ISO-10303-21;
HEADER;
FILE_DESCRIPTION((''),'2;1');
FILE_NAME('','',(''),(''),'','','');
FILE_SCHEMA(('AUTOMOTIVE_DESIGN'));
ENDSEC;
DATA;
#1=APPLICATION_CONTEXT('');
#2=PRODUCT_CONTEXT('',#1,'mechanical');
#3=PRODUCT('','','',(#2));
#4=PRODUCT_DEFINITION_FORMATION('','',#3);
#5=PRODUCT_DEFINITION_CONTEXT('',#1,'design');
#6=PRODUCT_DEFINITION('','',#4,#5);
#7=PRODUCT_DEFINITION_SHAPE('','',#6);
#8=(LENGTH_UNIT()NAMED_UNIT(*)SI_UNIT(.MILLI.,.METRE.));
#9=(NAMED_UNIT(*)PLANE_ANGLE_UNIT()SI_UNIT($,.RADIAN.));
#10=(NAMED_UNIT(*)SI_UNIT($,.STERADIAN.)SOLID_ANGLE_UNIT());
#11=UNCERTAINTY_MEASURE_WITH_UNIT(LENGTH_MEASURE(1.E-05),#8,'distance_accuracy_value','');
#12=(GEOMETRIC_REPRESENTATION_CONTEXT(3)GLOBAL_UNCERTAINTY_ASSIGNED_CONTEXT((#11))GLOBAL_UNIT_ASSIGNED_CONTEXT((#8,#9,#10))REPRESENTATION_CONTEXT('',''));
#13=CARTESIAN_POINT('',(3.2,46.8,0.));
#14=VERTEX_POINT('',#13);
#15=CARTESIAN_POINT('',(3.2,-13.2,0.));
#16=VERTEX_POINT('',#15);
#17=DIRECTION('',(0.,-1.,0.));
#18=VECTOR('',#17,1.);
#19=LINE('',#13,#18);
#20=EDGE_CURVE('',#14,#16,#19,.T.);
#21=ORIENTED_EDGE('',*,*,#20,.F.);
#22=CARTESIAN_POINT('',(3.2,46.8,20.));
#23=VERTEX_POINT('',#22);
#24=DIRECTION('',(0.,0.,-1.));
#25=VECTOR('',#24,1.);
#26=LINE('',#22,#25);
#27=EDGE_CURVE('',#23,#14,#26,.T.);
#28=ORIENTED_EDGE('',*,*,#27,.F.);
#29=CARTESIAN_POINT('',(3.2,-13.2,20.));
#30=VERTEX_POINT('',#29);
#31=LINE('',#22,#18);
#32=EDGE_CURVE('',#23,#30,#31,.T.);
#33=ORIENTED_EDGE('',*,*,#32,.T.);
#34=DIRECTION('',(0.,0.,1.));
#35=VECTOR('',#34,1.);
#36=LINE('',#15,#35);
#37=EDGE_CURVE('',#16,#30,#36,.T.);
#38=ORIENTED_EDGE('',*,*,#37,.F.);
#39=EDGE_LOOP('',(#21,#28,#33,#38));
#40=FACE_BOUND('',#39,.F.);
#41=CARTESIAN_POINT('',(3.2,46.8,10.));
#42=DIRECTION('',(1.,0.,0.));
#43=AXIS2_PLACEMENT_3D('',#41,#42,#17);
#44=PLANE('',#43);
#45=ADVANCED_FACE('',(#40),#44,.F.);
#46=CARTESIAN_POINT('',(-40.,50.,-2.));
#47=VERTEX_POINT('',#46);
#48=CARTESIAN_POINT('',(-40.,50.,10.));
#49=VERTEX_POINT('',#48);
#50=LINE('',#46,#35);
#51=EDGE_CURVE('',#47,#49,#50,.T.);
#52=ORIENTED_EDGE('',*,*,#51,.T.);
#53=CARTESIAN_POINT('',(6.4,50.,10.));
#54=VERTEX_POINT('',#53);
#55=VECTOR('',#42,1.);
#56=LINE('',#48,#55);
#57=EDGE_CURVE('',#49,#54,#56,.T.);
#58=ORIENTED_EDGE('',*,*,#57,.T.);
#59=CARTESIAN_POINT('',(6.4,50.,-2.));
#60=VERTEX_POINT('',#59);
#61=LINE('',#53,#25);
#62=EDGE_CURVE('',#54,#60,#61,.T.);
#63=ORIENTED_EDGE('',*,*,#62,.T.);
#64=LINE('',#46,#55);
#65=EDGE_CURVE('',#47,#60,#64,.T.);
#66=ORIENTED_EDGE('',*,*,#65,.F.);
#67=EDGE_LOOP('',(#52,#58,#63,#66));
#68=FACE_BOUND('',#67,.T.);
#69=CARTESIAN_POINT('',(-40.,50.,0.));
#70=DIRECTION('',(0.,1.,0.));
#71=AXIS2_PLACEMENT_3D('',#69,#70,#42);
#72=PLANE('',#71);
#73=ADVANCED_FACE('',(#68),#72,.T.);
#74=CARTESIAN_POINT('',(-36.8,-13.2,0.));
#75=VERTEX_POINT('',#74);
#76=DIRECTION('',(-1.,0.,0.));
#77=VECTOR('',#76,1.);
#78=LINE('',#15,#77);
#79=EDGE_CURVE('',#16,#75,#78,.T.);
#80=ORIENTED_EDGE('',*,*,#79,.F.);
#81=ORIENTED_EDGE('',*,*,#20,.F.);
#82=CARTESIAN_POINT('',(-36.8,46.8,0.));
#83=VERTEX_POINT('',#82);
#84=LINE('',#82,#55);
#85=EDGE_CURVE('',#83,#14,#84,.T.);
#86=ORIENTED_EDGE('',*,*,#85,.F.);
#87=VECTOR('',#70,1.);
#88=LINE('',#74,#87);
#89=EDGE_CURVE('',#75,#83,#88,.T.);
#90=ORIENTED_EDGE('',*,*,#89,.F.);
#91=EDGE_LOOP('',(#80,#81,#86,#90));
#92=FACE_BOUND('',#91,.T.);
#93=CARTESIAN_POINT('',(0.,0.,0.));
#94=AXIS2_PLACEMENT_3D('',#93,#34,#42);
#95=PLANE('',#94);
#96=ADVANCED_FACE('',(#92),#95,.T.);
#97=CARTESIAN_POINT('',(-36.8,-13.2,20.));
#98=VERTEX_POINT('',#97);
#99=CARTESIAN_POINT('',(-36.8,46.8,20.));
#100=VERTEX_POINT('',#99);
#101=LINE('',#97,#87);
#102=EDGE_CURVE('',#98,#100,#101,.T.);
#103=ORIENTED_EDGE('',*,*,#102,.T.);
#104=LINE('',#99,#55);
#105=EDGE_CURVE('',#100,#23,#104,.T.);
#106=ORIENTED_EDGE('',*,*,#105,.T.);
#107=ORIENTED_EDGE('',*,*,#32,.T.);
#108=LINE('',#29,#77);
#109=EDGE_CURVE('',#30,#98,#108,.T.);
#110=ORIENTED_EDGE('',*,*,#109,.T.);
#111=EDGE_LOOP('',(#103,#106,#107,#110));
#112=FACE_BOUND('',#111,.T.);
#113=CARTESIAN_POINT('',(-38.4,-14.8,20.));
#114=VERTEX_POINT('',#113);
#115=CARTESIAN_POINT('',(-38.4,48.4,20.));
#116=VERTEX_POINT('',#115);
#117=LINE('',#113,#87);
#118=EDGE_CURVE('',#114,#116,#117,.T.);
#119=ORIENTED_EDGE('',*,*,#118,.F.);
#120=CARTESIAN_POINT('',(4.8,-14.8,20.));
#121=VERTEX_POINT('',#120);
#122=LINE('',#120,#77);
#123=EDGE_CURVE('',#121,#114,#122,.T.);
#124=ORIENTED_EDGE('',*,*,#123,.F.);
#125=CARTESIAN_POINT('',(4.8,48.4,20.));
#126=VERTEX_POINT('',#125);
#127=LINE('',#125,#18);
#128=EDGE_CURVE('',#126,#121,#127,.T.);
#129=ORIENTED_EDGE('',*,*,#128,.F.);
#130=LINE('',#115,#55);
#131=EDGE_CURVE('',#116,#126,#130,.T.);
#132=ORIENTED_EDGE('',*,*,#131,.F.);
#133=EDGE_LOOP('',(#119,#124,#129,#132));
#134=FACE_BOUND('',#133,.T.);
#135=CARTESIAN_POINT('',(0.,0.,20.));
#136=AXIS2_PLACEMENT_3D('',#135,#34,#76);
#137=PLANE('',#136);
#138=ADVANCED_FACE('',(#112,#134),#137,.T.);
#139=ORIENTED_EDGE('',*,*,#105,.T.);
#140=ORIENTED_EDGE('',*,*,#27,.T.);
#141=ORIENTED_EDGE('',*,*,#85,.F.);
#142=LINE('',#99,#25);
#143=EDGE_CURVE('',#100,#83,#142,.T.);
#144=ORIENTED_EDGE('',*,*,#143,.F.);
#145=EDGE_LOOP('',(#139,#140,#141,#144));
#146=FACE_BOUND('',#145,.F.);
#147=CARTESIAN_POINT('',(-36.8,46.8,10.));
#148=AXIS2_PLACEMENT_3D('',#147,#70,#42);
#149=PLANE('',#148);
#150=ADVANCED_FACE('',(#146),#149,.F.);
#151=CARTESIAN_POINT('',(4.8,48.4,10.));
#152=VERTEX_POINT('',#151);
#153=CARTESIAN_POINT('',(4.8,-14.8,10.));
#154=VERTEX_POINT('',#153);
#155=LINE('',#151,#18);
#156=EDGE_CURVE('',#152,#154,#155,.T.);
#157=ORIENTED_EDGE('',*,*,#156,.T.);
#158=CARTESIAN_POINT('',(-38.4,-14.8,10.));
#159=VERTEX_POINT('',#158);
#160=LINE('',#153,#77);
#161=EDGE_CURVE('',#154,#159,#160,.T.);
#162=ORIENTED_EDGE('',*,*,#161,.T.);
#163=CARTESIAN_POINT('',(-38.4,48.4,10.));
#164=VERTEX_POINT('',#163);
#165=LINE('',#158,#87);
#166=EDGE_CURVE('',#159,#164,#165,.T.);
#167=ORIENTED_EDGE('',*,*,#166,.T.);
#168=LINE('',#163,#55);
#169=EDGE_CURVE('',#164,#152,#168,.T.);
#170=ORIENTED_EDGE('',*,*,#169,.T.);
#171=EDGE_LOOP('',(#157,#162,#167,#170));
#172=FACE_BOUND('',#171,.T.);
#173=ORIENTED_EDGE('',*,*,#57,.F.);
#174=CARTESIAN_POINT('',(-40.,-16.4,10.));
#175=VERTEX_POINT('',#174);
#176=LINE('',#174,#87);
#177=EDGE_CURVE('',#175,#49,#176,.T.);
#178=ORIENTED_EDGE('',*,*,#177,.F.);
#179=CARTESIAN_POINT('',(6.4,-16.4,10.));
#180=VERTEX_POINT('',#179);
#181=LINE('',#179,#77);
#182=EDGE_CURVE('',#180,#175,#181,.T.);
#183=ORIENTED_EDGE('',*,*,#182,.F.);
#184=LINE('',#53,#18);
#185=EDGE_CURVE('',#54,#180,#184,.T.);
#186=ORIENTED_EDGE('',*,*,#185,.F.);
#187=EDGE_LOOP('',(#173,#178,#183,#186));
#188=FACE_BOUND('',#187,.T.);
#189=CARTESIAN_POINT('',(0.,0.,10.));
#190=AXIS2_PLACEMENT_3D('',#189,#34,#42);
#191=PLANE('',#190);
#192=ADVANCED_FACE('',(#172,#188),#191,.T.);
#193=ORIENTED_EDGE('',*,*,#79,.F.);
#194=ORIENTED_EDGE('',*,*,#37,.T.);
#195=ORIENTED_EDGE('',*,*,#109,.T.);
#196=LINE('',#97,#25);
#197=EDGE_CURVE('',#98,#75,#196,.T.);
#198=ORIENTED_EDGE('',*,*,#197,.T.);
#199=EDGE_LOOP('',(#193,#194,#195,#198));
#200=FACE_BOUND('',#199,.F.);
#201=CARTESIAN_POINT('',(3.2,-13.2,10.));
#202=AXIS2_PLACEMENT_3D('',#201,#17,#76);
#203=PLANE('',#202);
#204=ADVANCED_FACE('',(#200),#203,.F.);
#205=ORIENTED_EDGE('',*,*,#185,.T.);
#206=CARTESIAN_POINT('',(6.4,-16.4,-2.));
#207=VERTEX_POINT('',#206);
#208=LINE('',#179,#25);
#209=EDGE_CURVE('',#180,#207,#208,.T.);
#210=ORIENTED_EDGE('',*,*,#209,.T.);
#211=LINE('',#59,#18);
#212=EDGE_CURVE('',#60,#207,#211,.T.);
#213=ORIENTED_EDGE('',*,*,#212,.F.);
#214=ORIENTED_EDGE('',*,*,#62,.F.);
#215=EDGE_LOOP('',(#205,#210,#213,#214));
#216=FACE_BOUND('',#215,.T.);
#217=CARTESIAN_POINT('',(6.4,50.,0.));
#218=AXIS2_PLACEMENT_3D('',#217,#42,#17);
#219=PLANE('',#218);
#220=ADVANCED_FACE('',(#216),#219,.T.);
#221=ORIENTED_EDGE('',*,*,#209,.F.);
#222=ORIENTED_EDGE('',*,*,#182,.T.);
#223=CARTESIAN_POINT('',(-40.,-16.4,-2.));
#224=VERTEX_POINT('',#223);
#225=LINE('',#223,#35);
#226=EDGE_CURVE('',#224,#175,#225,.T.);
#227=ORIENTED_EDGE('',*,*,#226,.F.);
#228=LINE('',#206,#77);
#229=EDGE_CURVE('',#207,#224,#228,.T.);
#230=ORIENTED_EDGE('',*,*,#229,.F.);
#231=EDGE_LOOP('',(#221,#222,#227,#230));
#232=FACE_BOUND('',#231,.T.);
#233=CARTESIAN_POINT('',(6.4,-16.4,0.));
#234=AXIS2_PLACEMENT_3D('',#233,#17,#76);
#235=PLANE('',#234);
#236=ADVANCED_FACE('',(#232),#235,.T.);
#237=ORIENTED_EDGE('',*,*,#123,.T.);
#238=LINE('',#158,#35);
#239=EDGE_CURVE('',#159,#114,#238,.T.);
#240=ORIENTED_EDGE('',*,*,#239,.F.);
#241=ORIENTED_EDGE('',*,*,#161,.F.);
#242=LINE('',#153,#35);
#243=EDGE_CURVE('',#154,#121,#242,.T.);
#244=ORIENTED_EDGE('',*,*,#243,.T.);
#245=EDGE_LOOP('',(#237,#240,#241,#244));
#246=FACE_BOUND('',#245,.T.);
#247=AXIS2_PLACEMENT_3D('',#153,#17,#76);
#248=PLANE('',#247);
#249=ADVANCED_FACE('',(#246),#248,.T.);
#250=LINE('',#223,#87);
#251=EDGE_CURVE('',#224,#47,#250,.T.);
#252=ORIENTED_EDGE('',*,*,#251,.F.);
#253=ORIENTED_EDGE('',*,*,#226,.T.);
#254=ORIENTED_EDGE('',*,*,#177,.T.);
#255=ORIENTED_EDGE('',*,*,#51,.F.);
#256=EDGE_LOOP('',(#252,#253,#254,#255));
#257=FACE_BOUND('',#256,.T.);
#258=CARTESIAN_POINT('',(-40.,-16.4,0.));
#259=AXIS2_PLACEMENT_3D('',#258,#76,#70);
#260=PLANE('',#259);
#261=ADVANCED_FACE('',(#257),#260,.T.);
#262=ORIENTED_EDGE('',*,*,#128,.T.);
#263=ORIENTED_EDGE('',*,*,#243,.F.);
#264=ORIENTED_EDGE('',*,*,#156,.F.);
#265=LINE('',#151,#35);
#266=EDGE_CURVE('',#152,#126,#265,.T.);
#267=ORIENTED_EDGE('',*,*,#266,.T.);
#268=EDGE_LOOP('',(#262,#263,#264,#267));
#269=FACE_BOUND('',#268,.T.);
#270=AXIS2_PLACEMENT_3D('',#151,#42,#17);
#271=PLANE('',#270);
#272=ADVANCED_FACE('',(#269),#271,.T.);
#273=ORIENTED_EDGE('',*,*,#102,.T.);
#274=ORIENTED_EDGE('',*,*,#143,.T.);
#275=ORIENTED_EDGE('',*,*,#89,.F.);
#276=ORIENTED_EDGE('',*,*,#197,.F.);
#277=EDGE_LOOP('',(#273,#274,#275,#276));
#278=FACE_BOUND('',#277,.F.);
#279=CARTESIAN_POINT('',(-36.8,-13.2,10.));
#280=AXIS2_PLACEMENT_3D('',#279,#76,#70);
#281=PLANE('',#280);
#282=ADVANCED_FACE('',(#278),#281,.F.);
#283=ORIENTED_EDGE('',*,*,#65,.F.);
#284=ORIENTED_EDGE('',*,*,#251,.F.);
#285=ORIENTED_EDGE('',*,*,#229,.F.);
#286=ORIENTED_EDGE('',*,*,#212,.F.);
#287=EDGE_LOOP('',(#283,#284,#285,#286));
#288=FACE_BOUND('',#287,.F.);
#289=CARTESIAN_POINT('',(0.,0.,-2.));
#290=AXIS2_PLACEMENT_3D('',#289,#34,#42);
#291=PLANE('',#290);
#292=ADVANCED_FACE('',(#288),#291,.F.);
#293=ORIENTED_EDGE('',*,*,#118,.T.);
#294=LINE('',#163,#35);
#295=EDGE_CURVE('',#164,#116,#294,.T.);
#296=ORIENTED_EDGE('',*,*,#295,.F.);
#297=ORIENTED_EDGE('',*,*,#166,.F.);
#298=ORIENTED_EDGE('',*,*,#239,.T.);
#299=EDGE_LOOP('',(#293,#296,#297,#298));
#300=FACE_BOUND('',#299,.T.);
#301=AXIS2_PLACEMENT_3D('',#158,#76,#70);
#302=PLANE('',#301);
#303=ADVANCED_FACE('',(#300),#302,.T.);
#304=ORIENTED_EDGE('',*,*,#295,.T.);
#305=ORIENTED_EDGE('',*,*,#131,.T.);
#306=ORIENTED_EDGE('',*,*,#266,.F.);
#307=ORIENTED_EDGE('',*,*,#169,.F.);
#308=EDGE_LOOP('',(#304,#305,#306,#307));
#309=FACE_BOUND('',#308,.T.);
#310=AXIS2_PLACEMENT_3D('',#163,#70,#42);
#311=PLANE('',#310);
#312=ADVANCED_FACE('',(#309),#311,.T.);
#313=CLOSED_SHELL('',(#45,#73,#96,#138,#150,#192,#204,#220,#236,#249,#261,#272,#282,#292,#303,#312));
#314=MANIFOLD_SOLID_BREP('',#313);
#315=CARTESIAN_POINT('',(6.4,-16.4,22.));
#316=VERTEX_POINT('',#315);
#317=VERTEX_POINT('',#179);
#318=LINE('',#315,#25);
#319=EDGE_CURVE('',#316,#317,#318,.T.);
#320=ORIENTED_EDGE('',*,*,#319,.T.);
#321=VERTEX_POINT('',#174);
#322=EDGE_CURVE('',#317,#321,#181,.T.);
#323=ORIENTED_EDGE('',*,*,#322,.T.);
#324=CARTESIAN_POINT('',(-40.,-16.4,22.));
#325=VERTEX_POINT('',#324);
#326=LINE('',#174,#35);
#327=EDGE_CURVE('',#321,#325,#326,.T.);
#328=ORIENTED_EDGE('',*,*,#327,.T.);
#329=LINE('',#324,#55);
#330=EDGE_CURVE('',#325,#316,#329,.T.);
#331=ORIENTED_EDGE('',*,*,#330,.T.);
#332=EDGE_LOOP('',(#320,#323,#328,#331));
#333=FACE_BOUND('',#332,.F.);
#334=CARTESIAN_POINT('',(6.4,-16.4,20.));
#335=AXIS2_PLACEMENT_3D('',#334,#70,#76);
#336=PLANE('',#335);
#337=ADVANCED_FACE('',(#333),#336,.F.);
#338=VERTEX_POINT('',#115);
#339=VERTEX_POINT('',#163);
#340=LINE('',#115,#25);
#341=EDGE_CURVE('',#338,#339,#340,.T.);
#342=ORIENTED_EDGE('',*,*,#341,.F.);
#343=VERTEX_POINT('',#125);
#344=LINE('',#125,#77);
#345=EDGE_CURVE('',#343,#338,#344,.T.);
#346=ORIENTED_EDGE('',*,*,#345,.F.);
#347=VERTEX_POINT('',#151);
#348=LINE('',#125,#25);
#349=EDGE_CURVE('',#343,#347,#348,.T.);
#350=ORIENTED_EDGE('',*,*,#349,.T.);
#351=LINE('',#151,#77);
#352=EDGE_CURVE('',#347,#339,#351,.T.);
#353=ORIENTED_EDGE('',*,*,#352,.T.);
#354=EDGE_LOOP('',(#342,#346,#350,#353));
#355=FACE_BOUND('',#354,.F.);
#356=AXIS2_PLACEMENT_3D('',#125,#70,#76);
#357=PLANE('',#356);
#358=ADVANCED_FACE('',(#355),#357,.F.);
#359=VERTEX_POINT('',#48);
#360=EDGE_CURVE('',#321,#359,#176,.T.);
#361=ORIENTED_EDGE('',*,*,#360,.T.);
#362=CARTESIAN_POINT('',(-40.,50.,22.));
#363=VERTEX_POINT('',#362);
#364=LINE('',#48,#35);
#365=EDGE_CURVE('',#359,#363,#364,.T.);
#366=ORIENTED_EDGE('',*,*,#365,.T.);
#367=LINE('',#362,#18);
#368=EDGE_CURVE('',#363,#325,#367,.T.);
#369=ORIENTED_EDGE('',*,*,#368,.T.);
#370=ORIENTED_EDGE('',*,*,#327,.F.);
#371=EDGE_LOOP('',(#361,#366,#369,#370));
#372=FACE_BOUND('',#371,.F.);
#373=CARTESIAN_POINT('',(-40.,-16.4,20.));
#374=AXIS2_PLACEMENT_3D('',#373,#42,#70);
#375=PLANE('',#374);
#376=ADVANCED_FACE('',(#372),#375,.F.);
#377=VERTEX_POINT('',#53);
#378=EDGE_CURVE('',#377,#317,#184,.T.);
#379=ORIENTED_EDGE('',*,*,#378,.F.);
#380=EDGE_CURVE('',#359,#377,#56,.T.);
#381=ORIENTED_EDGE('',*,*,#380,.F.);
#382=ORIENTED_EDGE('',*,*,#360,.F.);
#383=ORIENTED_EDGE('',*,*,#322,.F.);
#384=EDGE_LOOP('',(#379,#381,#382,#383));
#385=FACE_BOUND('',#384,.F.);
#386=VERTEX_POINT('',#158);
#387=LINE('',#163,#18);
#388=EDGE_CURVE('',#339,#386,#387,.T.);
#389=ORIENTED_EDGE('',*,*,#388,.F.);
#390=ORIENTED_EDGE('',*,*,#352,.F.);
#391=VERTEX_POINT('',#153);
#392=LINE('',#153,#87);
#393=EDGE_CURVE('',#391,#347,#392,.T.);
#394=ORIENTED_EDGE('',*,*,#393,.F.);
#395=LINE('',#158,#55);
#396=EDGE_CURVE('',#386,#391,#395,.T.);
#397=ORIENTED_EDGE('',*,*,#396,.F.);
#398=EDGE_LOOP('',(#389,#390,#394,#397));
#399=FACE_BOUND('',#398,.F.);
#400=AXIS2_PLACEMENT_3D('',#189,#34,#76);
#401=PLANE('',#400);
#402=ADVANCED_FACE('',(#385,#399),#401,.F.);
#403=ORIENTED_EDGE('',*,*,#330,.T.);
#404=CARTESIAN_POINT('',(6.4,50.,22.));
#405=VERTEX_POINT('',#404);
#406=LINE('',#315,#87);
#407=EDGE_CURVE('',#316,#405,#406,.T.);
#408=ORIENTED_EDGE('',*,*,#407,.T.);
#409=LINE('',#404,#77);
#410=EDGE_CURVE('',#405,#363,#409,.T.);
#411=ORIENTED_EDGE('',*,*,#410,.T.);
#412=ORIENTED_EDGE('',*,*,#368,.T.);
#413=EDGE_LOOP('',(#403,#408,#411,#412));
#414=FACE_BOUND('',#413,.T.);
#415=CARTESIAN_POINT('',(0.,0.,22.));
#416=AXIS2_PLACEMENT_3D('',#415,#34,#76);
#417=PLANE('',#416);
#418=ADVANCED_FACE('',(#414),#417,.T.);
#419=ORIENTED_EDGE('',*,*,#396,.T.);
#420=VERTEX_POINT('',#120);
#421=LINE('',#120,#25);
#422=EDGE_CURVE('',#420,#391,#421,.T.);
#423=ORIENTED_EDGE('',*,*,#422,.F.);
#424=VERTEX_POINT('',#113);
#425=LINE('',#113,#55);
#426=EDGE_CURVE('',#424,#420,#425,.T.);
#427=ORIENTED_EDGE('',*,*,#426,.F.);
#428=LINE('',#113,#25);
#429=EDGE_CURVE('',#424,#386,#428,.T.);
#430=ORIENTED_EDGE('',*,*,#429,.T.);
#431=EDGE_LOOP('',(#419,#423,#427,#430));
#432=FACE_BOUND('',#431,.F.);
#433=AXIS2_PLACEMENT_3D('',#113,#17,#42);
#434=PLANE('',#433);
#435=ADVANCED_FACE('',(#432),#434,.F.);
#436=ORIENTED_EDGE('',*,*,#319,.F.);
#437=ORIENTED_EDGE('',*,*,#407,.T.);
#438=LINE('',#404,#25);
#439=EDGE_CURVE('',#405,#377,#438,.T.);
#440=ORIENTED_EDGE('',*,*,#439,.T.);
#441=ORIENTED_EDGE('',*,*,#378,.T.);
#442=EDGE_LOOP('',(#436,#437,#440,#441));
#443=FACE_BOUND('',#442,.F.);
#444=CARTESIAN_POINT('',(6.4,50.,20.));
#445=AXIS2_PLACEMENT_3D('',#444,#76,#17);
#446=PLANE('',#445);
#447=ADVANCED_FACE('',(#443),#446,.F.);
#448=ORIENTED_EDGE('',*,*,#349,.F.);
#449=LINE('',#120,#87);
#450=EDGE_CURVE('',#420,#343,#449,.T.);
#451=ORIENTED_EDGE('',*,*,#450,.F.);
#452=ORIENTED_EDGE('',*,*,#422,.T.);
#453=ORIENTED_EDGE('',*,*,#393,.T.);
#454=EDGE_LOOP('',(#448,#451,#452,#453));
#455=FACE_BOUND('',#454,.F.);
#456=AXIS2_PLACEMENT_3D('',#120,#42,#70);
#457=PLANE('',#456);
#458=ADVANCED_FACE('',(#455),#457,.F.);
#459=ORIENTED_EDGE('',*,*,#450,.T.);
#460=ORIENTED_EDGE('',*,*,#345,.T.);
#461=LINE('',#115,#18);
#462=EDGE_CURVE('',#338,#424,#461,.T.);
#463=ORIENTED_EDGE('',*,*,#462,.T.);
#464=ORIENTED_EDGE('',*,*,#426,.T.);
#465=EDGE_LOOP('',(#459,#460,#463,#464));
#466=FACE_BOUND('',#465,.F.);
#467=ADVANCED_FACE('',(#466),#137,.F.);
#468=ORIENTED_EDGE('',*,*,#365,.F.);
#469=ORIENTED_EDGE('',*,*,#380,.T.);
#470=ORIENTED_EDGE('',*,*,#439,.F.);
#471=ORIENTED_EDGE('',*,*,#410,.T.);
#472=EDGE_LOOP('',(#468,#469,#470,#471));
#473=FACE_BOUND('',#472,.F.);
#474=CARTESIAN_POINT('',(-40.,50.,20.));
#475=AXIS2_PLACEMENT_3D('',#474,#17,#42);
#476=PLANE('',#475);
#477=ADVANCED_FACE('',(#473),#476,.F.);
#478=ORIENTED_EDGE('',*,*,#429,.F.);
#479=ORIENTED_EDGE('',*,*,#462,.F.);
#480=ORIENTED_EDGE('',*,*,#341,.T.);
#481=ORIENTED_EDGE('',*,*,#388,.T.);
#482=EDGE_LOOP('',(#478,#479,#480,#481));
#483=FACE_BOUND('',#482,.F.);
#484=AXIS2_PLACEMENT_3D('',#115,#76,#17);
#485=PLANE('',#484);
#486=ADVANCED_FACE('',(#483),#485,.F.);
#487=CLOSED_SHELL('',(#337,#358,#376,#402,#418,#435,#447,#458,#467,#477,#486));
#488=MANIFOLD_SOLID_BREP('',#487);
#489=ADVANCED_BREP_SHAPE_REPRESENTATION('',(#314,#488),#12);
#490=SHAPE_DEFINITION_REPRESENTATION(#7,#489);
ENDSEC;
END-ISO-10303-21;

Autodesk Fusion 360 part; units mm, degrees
sketch "Sketch1" plane through (0, 0, 0) normal (0, 0, 1) x (1, 0, 0)
  line L0 (-40, 50) -> (6.4, 50)
  line L1 (6.4, 50) -> (6.4, -16.4)
  line L2 (6.4, -16.4) -> (-40, -16.4)
  line L3 (-40, -16.4) -> (-40, 50)
  line L4 (-36.8, 46.8) -> (3.2, 46.8)
  line L5 (3.2, 46.8) -> (3.2, -13.2)
  line L6 (3.2, -13.2) -> (-36.8, -13.2)
  line L7 (-36.8, -13.2) -> (-36.8, 46.8)
  dimension "d1" = 46.4
  dimension "d2" = 66.4
  dimension "d3" = 40
  dimension "d4" = 60
  dimension "d5" = 3.2
  dimension "d6" = 3.2
extrude "Extrude1" add sketch "Sketch1" against normal blind 2 contours L0 L1 L2 L3 | L4 L5 L6 L7 makes body 1
extrude "Extrude2" add sketch "Sketch1" along normal blind 10 bodies 1
sketch "Sketch2" plane through (0, 0, 10) normal (0, 0, 1) x (-1, 0, 0)
  line L0 (-3.2, 13.2) -> (36.8, 13.2)
  line L1 (36.8, 13.2) -> (36.8, -46.8)
  line L2 (36.8, -46.8) -> (-3.2, -46.8)
  line L3 (-3.2, -46.8) -> (-3.2, 13.2)
  line L4 (40, 16.4) -> (-6.4, 16.4)
  line L5 (-6.4, 16.4) -> (-6.4, -50)
  line L6 (-6.4, -50) -> (40, -50)
  line L7 (40, -50) -> (40, 16.4)
  line L8 (36.8, -46.8) -> (-3.2, -46.8)
  line L9 (-3.2, -46.8) -> (-3.2, 13.2)
  line L10 (-3.2, 13.2) -> (36.8, 13.2)
  line L11 (36.8, 13.2) -> (36.8, -46.8)
  line L12 (38.4, -48.4) -> (-4.8, -48.4)
  line L13 (-4.8, -48.4) -> (-4.8, 14.8)
  line L14 (-4.8, 14.8) -> (38.4, 14.8)
  line L15 (38.4, 14.8) -> (38.4, -48.4)
  dimension "d11" = 43.2
  dimension "d12" = 63.2
  dimension "d13" = 1.6
  dimension "d14" = 1.6
extrude "Extrude3" add sketch "Sketch2" along normal blind 10 contours L12 L13 L14 L15 bodies 1
sketch "Sketch3" plane through (0, 0, 20) normal (0, 0, 1) x (-1, 0, 0)
  line L0 (-3.2, 13.2) -> (36.8, 13.2)
  line L1 (36.8, 13.2) -> (36.8, -46.8)
  line L2 (36.8, -46.8) -> (-3.2, -46.8)
  line L3 (-3.2, -46.8) -> (-3.2, 13.2)
  line L4 (38.4, 14.8) -> (-4.8, 14.8)
  line L5 (-4.8, 14.8) -> (-4.8, -48.4)
  line L6 (-4.8, -48.4) -> (38.4, -48.4)
  line L7 (38.4, -48.4) -> (38.4, 14.8)
  line L8 (40, -50) -> (-6.4, -50)
  line L9 (-6.4, -50) -> (-6.4, 16.4)
  line L10 (-6.4, 16.4) -> (40, 16.4)
  line L11 (40, 16.4) -> (40, -50)
  line L12 (38.4, -48.4) -> (-4.8, -48.4)
  line L13 (-4.8, -48.4) -> (-4.8, 14.8)
  line L14 (-4.8, 14.8) -> (38.4, 14.8)
  line L15 (38.4, 14.8) -> (38.4, -48.4)
  dimension "d17" = 46.4
  dimension "d18" = 66.4
extrude "Extrude1'" add sketch "Sketch3" against normal blind 10 separate body contours L8 L9 L10 L11 makes body 2 in component "Component"
sketch "Sketch4" plane through (0, 0, 20) normal (0, 0, 1) x (-1, 0, 0)
  line L0 (-4.8, 14.8) -> (38.4, 14.8)
  line L1 (38.4, 14.8) -> (38.4, -48.4)
  line L2 (38.4, -48.4) -> (-4.8, -48.4)
  line L3 (-4.8, -48.4) -> (-4.8, 14.8)
  line L4 (40, 16.4) -> (-6.4, 16.4)
  line L5 (-6.4, 16.4) -> (-6.4, -50)
  line L6 (-6.4, -50) -> (40, -50)
  line L7 (40, -50) -> (40, 16.4)
  line L8 (40, -50) -> (-6.4, -50)
  line L9 (-6.4, -50) -> (-6.4, 16.4)
  line L10 (-6.4, 16.4) -> (40, 16.4)
  line L11 (40, 16.4) -> (40, -50)
copy_body "Body->Comp1" bodies 1 removing the originals makes body 3 in component "Component'"
sketch "Sketch5" plane through (0, 0, 20) normal (0, 0, 1) x (-1, 0, 0)
  line L0 (-4.8, 14.8) -> (38.4, 14.8)
  line L1 (38.4, 14.8) -> (38.4, -48.4)
  line L2 (38.4, -48.4) -> (-4.8, -48.4)
  line L3 (-4.8, -48.4) -> (-4.8, 14.8)
  line L4 (40, 16.4) -> (-6.4, 16.4)
  line L5 (-6.4, 16.4) -> (-6.4, -50)
  line L6 (-6.4, -50) -> (40, -50)
  line L7 (40, -50) -> (40, 16.4)
  line L8 (40, -50) -> (-6.4, -50)
  line L9 (-6.4, -50) -> (-6.4, 16.4)
  line L10 (-6.4, 16.4) -> (40, 16.4)
  line L11 (40, 16.4) -> (40, -50)
extrude "Extrude2'" add sketch "Sketch5" along normal blind 2 contours L0 L1 L2 L3 | L4 L5 L6 L7 L8 L9 L10 L11 bodies 2 in component "Component"
component "Component" placed x (1, 0, 0) y (0, 1, 0) z (0, 0, 1) at (0, 0, 0)
component "Component'" placed x (1, 0, 0) y (0, 1, 0) z (0, 0, 1) at (0, 0, 0)
